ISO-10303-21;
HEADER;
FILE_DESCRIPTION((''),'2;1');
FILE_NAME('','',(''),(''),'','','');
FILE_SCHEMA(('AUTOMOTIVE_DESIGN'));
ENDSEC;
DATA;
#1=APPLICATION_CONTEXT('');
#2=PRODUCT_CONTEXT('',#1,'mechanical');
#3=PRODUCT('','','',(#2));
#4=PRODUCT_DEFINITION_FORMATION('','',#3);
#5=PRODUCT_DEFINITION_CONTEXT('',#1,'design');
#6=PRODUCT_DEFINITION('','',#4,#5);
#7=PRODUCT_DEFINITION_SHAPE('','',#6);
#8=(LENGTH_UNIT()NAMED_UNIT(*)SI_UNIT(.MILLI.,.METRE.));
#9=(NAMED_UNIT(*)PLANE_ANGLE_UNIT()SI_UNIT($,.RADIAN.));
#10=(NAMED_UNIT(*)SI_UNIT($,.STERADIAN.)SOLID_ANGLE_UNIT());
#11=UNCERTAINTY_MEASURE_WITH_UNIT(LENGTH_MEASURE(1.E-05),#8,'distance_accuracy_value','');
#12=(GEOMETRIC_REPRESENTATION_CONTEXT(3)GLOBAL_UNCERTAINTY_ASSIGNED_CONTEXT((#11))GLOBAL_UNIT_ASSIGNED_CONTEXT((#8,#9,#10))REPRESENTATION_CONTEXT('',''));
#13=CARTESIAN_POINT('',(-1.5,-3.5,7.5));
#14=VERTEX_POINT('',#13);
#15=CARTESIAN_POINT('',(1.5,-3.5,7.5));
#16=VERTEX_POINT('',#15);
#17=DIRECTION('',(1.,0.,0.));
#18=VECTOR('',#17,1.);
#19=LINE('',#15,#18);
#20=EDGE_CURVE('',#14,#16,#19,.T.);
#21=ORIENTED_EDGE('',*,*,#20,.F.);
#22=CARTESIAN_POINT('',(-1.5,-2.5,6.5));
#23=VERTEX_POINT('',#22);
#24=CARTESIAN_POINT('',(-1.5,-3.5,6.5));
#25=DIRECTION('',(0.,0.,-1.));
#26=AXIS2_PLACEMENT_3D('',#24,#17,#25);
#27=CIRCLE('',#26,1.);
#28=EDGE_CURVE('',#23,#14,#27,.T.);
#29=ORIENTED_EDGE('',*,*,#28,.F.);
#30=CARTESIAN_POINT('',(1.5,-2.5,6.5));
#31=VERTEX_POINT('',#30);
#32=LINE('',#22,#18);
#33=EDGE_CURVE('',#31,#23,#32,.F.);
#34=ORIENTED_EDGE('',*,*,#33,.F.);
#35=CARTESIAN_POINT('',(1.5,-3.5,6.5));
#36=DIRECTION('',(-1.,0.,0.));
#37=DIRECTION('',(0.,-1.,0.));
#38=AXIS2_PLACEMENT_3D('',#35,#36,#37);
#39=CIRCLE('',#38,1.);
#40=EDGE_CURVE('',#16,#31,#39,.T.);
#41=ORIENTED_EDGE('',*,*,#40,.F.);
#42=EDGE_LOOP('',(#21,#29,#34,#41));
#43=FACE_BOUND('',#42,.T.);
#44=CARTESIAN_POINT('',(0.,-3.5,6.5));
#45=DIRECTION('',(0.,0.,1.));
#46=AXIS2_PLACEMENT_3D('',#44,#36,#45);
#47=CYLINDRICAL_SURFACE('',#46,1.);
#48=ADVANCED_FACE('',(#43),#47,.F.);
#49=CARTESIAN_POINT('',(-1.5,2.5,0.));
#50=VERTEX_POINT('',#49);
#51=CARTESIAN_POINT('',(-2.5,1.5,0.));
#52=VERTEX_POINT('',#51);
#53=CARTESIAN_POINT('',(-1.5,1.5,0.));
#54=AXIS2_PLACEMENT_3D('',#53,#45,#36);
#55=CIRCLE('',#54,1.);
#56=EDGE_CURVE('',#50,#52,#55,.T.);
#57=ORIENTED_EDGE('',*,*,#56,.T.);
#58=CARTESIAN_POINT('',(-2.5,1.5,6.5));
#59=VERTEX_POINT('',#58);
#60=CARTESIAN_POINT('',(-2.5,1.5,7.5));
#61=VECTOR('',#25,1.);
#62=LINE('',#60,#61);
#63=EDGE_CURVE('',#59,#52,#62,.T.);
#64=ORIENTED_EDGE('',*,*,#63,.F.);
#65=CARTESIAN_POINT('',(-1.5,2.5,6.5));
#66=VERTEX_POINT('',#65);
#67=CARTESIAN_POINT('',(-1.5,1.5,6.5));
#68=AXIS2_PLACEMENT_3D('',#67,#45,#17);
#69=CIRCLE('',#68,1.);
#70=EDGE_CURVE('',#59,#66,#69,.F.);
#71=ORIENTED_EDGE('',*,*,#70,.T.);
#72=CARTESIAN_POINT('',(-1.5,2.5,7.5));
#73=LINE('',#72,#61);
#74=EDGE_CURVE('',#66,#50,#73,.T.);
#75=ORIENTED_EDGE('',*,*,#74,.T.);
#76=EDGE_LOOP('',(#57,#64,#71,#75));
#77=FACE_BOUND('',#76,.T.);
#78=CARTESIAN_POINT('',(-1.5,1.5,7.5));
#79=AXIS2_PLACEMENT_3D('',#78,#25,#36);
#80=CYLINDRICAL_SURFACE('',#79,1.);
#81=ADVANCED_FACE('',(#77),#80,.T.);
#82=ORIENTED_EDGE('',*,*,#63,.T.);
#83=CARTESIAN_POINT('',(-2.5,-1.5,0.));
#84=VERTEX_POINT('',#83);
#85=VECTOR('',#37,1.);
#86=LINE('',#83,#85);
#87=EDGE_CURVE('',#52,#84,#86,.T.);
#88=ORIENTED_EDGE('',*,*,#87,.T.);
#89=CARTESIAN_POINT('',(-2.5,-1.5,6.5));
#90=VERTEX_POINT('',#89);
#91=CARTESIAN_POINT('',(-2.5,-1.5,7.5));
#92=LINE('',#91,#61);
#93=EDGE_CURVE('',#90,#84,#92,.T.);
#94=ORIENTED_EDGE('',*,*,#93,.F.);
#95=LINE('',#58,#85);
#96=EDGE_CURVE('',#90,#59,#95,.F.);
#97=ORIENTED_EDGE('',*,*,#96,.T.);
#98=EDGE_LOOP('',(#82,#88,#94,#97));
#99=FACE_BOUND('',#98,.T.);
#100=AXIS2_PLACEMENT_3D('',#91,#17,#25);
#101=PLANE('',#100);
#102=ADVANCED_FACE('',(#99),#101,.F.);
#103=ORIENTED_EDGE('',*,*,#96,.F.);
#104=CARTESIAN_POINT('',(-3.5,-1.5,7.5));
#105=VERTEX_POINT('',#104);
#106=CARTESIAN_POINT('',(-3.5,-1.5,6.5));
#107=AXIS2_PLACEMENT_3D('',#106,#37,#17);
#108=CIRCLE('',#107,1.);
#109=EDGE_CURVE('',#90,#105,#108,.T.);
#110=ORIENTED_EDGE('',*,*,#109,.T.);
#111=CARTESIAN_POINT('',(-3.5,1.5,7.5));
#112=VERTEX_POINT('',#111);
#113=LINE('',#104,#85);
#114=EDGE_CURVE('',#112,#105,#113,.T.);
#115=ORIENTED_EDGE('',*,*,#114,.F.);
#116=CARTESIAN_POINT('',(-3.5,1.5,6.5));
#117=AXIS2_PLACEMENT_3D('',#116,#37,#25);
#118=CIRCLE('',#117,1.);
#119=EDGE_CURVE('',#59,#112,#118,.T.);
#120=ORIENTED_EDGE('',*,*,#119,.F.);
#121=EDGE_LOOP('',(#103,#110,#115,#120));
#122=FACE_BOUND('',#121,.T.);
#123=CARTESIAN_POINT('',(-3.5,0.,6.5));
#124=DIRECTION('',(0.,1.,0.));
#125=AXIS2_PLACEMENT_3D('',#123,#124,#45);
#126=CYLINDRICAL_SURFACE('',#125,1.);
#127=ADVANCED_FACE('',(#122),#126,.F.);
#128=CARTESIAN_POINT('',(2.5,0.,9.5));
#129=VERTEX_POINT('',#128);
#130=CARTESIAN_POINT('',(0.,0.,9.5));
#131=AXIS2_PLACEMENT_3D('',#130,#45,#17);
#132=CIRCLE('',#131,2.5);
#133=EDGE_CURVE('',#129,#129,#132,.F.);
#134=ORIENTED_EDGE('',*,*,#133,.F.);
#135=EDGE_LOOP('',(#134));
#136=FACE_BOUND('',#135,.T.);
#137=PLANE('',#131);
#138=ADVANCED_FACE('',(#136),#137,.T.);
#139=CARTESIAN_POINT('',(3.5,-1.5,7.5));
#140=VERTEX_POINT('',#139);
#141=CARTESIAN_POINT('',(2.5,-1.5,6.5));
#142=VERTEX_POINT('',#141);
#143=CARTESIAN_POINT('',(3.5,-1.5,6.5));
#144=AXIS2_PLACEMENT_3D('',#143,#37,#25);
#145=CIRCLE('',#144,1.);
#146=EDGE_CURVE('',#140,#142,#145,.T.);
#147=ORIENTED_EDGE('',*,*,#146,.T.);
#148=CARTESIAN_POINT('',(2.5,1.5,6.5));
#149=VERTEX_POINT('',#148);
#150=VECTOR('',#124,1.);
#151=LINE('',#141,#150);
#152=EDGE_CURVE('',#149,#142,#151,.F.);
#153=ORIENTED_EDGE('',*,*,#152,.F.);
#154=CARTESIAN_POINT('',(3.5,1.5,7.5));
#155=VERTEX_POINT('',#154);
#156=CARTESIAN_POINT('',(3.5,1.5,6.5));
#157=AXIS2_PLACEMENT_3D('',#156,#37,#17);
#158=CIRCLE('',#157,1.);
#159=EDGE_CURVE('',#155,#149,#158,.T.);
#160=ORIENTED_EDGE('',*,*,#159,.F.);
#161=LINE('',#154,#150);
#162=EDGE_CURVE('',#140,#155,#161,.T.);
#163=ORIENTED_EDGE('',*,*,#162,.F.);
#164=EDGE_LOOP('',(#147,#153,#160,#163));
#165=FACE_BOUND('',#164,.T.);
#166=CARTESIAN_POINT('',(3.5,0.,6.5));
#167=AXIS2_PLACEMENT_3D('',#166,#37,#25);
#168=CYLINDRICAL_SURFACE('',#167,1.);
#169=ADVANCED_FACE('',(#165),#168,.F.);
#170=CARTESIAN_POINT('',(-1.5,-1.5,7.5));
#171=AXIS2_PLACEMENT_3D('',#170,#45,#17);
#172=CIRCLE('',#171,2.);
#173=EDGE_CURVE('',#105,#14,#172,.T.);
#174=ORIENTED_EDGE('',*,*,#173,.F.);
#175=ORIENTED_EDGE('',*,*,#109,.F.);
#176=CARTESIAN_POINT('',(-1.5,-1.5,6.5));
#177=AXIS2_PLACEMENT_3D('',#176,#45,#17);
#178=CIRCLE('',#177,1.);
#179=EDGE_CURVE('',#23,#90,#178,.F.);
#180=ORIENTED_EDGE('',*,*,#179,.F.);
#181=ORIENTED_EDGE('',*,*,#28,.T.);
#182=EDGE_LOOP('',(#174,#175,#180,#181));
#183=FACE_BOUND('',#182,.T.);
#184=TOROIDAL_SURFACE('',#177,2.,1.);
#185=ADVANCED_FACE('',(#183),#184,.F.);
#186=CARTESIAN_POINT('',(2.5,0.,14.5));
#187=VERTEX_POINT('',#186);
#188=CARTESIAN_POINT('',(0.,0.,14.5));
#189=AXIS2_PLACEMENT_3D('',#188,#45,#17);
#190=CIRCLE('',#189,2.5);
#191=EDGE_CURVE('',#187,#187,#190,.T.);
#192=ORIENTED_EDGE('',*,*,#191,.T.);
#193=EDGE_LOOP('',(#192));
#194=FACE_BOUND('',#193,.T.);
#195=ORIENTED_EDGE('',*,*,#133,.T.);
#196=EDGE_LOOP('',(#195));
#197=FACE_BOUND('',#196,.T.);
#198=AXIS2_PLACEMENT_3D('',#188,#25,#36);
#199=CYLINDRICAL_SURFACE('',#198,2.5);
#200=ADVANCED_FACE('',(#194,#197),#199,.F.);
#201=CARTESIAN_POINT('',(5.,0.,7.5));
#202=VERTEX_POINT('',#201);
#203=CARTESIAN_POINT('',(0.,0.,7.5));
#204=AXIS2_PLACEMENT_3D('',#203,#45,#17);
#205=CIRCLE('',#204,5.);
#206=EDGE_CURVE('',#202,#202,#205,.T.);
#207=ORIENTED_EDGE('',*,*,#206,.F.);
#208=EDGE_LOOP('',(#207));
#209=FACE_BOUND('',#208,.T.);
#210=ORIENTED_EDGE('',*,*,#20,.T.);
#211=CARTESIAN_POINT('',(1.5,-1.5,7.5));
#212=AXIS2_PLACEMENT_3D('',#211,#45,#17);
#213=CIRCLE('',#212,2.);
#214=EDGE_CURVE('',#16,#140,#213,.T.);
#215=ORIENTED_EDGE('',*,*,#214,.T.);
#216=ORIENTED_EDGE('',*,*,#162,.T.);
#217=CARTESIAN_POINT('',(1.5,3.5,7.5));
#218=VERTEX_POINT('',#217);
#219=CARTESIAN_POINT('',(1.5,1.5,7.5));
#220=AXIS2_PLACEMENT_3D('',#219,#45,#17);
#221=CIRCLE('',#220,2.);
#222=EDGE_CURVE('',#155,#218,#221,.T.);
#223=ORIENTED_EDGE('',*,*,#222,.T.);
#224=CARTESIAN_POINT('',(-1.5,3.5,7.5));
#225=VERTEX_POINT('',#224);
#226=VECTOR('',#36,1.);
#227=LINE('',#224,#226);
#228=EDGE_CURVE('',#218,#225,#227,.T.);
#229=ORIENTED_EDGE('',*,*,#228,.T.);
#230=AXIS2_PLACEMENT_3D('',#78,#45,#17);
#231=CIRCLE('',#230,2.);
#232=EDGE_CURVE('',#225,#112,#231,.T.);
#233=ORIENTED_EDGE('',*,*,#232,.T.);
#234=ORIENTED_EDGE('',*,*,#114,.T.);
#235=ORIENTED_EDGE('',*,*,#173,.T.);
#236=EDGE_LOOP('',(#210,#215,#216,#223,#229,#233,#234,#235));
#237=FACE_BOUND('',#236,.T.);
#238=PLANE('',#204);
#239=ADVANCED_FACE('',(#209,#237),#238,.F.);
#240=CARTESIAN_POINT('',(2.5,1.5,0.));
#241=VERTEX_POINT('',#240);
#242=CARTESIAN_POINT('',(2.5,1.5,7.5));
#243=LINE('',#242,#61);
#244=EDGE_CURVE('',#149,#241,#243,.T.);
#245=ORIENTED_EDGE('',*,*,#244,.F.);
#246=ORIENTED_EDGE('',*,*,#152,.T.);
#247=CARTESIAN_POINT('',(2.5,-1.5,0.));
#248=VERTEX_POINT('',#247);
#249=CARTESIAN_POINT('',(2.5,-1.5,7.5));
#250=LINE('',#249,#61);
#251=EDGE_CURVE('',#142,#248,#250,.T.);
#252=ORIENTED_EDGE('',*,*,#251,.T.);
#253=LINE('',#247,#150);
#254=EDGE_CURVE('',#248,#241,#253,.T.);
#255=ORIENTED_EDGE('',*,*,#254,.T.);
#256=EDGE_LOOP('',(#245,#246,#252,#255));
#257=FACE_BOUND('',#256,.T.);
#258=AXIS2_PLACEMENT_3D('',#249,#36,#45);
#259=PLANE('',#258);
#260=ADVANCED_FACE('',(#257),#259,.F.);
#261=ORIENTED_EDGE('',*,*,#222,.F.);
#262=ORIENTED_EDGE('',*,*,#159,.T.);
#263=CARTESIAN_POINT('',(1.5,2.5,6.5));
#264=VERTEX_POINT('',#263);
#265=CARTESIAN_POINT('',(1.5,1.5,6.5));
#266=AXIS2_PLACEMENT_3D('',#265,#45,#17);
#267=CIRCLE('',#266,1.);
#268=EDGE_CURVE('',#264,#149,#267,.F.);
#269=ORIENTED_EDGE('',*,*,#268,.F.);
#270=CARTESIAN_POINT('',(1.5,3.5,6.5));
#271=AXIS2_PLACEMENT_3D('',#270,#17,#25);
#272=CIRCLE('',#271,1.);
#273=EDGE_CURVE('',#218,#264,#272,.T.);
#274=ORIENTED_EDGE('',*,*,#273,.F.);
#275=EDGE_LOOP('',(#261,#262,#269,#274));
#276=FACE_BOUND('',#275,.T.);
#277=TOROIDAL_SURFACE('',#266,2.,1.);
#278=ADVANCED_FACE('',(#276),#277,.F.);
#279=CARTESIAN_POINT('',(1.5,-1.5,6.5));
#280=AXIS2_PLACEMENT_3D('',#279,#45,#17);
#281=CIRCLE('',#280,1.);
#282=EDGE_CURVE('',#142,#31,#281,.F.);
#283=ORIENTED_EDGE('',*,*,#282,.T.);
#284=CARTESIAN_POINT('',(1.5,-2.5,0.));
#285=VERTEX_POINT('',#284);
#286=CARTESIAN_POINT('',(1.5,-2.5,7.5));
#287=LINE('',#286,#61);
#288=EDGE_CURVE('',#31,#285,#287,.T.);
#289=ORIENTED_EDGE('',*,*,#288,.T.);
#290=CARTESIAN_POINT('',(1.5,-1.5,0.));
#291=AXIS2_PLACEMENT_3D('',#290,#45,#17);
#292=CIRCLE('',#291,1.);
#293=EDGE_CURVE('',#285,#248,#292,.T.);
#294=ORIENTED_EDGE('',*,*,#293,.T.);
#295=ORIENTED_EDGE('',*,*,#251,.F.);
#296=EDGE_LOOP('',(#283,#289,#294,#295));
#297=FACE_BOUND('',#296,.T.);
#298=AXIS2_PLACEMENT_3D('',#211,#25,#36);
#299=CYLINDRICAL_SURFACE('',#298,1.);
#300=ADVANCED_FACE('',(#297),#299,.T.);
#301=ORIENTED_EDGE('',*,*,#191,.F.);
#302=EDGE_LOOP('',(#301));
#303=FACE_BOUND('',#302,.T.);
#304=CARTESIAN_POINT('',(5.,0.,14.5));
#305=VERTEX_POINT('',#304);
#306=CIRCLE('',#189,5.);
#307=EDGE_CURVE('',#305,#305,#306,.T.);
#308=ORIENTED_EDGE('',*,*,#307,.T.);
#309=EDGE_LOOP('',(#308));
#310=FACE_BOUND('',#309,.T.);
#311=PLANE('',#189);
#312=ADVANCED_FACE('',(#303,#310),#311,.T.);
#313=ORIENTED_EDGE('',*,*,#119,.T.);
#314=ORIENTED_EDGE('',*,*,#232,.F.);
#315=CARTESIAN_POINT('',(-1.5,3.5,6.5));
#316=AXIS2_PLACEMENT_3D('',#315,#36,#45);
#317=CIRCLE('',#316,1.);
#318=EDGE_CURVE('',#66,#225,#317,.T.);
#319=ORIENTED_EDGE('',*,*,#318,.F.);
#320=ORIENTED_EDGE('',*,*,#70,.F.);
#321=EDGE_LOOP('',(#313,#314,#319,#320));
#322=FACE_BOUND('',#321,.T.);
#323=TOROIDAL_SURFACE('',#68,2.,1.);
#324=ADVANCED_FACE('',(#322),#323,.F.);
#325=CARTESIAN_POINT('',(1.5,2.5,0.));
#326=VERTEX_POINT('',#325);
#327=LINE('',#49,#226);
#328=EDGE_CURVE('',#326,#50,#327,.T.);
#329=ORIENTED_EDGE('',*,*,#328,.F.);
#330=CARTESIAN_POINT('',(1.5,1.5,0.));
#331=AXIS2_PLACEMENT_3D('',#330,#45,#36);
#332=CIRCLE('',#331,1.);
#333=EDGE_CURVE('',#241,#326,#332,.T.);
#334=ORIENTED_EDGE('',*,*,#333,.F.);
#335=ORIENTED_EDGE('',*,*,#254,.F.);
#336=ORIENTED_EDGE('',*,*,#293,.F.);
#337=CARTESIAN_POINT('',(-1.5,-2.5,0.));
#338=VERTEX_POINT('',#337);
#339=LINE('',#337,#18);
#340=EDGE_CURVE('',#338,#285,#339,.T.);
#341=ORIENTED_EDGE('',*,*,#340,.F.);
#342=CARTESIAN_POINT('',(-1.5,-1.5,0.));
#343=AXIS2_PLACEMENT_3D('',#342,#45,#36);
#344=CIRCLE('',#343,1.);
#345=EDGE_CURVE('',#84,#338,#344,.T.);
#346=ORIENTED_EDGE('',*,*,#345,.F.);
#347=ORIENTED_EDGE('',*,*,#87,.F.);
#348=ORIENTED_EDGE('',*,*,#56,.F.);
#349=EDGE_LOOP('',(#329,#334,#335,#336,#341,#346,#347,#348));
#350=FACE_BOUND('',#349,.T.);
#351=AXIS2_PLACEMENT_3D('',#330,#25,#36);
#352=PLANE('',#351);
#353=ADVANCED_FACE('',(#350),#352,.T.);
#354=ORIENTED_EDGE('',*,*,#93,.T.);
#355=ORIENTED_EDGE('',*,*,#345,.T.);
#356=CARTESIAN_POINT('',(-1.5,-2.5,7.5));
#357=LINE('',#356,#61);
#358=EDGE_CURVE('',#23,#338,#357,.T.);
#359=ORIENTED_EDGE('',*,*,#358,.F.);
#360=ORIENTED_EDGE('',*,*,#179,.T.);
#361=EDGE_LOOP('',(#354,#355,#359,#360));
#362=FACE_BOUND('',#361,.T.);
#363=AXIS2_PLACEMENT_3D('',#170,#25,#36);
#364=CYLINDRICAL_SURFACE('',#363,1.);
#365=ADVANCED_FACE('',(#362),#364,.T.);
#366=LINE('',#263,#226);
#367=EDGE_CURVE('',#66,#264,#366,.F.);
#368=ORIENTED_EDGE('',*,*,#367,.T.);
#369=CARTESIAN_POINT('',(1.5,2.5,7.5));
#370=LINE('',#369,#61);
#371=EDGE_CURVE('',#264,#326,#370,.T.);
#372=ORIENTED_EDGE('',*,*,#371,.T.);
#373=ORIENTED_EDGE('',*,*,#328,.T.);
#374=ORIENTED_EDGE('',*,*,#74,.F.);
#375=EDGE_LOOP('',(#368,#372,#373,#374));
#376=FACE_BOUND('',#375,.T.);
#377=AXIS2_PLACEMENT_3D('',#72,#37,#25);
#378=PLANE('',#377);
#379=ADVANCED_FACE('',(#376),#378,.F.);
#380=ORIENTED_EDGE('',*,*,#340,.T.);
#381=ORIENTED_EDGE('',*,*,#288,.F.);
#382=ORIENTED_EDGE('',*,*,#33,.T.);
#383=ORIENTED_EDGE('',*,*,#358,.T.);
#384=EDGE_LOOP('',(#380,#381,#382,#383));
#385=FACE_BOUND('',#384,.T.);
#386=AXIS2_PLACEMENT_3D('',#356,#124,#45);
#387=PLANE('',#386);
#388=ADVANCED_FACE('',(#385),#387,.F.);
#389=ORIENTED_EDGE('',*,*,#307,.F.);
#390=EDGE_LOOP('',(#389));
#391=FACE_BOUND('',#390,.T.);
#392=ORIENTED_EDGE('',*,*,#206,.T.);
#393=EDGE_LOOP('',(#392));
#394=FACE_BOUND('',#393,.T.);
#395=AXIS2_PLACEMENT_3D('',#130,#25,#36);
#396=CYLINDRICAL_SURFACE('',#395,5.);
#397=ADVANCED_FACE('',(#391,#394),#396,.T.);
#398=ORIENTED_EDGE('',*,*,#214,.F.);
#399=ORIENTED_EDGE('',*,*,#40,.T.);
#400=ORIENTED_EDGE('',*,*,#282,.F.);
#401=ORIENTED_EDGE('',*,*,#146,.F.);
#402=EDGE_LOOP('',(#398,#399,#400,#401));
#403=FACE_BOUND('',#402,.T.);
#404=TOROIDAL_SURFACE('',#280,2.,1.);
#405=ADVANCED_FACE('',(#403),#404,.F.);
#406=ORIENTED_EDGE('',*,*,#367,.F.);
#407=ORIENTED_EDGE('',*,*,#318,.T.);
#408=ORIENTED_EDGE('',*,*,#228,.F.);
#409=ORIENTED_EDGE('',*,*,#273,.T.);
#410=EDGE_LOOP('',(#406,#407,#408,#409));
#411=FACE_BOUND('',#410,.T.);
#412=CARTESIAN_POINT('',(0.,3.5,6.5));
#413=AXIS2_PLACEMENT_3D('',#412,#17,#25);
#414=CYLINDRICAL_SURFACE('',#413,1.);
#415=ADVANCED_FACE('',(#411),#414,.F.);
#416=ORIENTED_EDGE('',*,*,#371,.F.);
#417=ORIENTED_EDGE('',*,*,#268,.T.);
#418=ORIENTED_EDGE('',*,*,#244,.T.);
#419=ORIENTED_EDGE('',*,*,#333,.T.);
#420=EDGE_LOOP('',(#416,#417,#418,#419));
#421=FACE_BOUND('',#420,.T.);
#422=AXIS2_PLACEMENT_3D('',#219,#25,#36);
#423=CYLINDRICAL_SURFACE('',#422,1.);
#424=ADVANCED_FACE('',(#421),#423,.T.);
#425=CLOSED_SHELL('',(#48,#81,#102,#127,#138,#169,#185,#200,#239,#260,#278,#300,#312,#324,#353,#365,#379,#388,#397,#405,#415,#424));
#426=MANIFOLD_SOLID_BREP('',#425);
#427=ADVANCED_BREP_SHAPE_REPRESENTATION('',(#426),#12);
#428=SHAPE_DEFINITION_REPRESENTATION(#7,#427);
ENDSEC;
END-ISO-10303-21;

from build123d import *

# Parameters (mm, degrees)
BOSS_EXTRUDE1_DEPTH = 7.5
SKETCH2_R           = 5
BOSS_EXTRUDE2_DEPTH = 2
SKETCH3_R           = 5
SKETCH3_R_2         = 2.5
BOSS_EXTRUDE3_DEPTH = 5
FILLET1_R           = 1


with BuildPart() as part:
    # Sketch1 → Boss-Extrude1 (new body)
    with BuildSketch(Plane.XY):
        with BuildLine():
            Line((-1.5, -2.5), (1.5, -2.5))
            ThreePointArc((1.5, -2.5), (2.207106781, -2.207106781), (2.5, -1.5))
            Line((2.5, -1.5), (2.5, 1.5))
            ThreePointArc((2.5, 1.5), (2.207106781, 2.207106781), (1.5, 2.5))
            Line((1.5, 2.5), (-1.5, 2.5))
            ThreePointArc((-1.5, 2.5), (-2.207106781, 2.207106781), (-2.5, 1.5))
            Line((-2.5, 1.5), (-2.5, -1.5))
            ThreePointArc((-2.5, -1.5), (-2.207106781, -2.207106781), (-1.5, -2.5))
        make_face()
    extrude(amount=BOSS_EXTRUDE1_DEPTH)

    # Sketch2 → Boss-Extrude2 (add)
    with BuildSketch(Plane.XY.offset(7.5)):
        Circle(SKETCH2_R)
    extrude(amount=BOSS_EXTRUDE2_DEPTH)

    # Sketch3 → Boss-Extrude3 (add)
    with BuildSketch(Plane.XY.offset(9.5)):
        Circle(SKETCH3_R)
        Circle(SKETCH3_R_2, mode=Mode.SUBTRACT)
    extrude(amount=BOSS_EXTRUDE3_DEPTH)

    # Fillet1
    fillet1_edges = [part.edges().sort_by_distance(p)[0] for p in [
        (-2.207106781, 2.207106781, 7.5),
        (-2.5, 0, 7.5),
        (-2.207106781, -2.207106781, 7.5),
        (0, -2.5, 7.5),
        (2.207106781, -2.207106781, 7.5),
        (2.5, 0, 7.5),
        (2.207106781, 2.207106781, 7.5),
        (0, 2.5, 7.5),
    ]]
    fillet(fillet1_edges, radius=FILLET1_R)


solid = part.part
